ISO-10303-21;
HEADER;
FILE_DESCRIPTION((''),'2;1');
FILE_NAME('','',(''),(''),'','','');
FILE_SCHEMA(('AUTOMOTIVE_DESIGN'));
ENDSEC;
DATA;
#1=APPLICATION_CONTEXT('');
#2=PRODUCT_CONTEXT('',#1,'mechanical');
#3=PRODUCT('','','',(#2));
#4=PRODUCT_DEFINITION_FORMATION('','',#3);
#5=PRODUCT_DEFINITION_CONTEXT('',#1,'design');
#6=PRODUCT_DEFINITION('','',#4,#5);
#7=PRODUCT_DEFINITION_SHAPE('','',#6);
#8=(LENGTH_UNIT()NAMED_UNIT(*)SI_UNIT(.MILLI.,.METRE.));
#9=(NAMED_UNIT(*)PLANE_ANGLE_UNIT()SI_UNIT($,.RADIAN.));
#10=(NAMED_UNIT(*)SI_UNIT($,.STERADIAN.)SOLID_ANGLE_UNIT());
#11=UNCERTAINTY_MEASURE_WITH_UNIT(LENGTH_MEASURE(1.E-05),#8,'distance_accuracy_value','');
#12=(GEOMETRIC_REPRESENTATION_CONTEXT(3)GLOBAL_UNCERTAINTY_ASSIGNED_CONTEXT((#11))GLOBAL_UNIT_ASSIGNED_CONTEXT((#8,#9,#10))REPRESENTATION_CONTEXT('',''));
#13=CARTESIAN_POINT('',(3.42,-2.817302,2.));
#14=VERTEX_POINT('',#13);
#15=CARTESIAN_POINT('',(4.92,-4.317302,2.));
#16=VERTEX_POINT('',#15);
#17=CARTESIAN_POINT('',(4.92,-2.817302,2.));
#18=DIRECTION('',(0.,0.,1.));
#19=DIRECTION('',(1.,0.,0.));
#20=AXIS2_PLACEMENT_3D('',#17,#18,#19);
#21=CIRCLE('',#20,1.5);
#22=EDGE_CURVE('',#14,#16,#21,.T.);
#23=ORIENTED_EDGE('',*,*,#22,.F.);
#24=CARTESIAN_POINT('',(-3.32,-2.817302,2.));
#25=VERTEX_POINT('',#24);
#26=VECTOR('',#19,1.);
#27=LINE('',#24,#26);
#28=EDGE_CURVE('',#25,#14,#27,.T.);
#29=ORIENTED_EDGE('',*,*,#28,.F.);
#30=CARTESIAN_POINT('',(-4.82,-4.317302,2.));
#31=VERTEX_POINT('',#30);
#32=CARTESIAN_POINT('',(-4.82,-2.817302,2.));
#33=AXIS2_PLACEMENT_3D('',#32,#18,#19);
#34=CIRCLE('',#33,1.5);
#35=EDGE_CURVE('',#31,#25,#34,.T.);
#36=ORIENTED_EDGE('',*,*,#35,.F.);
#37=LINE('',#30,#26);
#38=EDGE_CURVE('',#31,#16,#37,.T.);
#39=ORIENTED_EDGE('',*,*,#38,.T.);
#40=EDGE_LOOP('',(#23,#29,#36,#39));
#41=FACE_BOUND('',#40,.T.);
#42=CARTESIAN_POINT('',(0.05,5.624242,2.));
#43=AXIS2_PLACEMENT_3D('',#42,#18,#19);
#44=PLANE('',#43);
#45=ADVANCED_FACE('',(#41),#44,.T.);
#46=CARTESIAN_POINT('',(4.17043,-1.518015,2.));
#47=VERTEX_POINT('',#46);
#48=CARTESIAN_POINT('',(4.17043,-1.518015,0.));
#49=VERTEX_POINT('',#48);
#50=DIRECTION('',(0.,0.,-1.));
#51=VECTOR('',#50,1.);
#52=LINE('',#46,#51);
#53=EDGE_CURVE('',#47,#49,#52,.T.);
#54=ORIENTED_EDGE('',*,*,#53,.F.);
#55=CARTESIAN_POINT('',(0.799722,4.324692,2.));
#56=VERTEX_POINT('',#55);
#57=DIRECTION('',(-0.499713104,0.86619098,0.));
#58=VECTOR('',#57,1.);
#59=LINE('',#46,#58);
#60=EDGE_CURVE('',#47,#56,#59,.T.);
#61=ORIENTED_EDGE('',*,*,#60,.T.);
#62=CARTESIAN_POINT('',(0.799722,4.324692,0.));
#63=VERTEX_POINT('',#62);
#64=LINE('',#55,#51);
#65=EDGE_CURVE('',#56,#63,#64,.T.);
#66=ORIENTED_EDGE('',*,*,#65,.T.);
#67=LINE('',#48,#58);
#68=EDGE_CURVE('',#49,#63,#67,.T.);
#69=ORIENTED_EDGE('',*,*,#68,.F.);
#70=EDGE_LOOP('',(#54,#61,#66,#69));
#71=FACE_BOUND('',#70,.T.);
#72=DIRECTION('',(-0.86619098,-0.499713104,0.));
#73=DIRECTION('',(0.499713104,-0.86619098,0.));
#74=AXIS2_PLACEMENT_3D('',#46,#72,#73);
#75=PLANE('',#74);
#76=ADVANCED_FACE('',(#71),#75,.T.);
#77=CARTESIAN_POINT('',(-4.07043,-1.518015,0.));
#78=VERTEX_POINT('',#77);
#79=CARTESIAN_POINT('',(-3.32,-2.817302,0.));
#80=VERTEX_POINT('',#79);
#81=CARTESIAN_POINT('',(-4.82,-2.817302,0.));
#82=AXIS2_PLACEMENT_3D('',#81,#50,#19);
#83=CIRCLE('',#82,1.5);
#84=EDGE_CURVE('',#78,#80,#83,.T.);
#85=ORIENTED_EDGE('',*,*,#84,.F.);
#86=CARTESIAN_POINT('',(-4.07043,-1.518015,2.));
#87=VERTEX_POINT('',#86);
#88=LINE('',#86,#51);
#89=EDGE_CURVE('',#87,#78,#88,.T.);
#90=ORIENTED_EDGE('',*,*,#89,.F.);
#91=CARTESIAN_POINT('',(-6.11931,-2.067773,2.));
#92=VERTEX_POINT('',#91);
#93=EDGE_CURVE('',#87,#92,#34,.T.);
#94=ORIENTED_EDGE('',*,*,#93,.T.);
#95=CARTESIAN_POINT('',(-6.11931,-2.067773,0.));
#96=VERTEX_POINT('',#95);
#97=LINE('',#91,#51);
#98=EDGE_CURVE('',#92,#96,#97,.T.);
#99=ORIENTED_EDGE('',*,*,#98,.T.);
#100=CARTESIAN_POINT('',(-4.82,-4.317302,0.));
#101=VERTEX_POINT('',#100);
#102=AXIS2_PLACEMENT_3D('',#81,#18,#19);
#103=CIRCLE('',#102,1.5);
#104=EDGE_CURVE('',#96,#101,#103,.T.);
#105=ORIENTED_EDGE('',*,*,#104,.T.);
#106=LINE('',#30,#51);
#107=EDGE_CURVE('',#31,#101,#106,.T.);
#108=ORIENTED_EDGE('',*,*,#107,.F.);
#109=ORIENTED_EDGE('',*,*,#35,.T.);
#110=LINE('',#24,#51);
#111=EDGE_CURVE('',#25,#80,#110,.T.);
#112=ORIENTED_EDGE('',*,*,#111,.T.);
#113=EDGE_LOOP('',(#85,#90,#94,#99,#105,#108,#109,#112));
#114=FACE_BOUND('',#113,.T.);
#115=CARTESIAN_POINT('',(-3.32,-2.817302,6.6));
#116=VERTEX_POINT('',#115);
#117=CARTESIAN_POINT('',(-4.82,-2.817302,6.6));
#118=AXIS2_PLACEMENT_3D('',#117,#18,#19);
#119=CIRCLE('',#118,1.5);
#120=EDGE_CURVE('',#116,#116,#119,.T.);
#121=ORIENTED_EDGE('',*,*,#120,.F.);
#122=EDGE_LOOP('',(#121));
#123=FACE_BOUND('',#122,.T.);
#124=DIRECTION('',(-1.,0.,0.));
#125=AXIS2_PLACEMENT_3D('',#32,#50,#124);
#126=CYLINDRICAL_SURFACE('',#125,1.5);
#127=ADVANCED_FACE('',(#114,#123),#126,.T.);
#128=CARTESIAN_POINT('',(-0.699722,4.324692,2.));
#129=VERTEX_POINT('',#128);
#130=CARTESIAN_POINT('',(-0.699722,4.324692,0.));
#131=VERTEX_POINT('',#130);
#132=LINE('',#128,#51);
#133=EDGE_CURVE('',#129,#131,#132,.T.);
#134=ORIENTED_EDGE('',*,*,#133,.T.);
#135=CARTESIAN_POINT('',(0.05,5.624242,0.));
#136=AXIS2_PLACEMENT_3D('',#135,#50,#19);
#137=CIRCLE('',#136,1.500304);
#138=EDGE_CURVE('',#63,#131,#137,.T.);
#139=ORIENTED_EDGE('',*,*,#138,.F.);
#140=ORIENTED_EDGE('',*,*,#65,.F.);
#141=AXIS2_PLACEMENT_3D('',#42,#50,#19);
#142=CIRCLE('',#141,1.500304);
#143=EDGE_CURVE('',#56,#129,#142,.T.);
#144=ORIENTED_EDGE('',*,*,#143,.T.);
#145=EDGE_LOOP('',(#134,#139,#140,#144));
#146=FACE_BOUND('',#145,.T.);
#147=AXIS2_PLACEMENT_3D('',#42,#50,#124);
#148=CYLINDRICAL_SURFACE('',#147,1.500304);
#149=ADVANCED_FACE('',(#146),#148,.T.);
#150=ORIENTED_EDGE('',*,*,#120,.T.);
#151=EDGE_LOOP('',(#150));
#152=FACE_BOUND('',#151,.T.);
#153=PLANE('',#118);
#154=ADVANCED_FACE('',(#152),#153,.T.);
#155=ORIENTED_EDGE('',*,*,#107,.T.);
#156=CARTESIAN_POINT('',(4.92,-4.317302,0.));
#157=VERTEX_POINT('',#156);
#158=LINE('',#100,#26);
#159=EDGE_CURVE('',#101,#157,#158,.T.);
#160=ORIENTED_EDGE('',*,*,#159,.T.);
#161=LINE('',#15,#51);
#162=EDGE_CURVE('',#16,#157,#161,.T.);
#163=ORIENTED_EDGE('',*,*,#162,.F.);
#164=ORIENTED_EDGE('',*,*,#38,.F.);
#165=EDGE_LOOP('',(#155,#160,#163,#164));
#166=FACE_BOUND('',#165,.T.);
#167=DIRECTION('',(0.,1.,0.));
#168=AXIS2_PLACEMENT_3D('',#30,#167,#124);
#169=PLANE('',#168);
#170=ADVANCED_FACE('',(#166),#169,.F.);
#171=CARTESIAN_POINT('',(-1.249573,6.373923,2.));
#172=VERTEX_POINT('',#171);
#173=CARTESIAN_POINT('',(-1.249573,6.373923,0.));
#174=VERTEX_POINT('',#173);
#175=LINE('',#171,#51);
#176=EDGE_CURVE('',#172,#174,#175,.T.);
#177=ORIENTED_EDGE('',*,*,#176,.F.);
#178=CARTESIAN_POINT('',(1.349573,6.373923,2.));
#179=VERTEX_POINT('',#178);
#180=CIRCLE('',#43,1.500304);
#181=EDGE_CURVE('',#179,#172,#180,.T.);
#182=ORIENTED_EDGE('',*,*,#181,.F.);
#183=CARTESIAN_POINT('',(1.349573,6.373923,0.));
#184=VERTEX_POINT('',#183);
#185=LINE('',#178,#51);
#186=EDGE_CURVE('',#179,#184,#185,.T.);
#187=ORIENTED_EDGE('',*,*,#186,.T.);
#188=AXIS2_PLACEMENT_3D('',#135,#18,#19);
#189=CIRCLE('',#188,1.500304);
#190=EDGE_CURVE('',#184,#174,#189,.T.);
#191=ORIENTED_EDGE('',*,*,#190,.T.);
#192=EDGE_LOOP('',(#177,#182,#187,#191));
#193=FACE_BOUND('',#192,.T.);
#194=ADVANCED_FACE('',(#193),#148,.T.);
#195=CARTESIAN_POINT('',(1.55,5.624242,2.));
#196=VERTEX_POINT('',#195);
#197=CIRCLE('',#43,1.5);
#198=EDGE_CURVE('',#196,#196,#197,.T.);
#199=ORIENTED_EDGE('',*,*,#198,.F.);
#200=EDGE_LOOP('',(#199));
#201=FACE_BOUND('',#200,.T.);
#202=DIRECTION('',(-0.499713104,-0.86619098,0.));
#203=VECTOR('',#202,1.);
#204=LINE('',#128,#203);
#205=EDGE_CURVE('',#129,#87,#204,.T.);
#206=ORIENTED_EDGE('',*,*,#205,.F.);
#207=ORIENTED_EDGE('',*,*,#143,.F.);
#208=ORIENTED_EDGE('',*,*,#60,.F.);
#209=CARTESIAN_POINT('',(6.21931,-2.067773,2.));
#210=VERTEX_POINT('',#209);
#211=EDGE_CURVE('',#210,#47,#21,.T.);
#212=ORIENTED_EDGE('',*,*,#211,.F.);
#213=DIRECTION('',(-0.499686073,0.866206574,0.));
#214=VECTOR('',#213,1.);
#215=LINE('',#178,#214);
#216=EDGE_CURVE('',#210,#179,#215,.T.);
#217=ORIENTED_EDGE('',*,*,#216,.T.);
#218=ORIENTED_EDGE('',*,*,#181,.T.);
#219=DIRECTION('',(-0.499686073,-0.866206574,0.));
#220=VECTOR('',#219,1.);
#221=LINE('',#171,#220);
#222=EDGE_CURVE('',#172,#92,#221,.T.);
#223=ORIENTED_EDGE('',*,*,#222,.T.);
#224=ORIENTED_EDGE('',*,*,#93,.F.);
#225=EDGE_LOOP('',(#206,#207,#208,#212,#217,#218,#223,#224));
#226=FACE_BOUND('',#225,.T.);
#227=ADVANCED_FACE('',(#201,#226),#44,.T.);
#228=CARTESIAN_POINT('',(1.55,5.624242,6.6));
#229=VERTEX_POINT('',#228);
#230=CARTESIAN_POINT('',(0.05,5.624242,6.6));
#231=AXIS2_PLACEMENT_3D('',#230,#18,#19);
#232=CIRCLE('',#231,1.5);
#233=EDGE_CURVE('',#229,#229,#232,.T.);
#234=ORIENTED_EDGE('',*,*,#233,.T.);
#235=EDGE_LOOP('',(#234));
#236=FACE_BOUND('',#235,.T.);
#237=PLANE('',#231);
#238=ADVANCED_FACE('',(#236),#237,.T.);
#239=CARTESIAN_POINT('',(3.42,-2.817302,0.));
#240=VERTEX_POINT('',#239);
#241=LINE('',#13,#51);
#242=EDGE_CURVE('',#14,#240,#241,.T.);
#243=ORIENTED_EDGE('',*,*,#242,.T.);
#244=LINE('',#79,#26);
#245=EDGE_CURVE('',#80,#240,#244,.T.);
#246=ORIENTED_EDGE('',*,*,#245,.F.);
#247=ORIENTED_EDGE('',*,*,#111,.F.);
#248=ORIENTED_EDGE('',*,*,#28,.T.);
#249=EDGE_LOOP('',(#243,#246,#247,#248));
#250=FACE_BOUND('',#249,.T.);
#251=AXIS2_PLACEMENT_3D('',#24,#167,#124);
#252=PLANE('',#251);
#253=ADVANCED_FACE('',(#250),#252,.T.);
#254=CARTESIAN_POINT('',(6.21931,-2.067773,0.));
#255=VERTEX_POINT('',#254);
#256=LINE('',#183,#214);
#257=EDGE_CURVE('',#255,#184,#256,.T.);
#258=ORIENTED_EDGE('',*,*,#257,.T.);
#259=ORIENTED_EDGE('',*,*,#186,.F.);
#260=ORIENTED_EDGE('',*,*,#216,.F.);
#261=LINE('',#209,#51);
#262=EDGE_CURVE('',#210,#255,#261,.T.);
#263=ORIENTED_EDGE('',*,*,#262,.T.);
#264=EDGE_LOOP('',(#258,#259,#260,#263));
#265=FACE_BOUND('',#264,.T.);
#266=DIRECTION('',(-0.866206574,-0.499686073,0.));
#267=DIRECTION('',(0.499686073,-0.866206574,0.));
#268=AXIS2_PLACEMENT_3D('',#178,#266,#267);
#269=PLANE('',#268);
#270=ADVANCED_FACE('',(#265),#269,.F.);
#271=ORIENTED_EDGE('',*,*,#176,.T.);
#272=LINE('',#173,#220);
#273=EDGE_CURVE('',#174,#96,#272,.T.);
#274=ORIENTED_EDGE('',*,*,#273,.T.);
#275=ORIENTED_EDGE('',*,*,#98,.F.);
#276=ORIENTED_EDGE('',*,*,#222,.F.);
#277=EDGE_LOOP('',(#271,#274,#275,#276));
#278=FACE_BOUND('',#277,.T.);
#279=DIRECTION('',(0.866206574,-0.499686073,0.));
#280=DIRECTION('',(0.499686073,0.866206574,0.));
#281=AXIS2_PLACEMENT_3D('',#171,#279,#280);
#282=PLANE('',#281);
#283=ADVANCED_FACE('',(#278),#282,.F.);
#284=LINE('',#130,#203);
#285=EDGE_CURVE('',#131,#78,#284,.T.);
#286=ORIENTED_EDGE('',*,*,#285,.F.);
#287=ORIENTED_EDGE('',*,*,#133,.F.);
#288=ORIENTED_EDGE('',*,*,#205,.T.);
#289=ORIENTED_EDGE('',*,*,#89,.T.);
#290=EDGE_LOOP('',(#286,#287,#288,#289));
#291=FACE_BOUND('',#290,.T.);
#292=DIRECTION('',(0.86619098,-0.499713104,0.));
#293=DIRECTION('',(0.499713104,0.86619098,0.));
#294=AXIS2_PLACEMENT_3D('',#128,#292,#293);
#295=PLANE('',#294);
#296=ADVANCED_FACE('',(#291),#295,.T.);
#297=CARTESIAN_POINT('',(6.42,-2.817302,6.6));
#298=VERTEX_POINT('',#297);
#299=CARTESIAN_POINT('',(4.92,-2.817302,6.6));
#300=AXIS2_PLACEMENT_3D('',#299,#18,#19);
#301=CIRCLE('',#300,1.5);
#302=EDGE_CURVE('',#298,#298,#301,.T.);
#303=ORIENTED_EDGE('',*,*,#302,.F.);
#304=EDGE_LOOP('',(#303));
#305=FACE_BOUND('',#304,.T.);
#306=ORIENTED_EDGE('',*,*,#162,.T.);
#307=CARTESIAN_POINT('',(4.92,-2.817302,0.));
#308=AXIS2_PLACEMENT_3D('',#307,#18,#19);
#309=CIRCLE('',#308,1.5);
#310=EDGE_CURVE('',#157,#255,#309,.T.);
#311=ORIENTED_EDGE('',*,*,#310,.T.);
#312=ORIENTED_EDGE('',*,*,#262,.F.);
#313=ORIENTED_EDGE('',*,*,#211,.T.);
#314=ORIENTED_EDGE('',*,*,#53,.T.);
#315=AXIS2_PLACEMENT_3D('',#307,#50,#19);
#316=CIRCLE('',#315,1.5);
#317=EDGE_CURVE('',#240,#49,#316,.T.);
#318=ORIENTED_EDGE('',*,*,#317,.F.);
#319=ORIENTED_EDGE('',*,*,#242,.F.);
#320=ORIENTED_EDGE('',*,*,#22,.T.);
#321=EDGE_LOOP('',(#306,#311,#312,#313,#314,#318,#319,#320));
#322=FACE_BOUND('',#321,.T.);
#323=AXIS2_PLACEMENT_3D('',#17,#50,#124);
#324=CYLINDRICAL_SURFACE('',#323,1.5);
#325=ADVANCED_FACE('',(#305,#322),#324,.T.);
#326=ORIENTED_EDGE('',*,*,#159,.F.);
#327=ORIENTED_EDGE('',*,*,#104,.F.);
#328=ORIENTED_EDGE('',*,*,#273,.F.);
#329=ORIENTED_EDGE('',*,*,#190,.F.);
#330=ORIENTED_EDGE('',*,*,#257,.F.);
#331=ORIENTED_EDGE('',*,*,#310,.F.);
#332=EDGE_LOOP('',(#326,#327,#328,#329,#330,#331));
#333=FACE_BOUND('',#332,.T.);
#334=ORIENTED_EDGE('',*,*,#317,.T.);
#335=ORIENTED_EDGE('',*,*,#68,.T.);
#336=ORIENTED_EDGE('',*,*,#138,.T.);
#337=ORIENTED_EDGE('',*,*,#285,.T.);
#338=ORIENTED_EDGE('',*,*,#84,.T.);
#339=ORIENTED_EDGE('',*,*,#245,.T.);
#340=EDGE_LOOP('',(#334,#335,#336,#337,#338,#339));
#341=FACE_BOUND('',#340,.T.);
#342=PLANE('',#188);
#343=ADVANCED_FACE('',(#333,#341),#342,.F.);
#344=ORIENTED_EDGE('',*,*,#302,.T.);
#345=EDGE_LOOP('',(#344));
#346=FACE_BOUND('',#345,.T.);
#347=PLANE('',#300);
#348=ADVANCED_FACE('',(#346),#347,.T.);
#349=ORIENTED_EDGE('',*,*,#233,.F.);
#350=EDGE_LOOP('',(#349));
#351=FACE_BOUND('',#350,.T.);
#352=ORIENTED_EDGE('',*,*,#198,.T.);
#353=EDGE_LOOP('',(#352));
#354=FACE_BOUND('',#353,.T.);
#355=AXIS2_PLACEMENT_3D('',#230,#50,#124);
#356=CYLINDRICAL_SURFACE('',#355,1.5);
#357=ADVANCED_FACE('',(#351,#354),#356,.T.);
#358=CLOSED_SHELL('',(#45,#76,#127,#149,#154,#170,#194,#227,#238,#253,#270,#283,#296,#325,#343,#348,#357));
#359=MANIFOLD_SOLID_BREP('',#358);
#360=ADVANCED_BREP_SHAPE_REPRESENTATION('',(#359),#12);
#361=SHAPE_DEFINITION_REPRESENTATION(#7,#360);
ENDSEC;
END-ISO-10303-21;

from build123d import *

# Parameters (mm, degrees)
SALIENTE_EXTRUIR1_DEPTH = 2
CROQUIS2_R              = 1.5
SALIENTE_EXTRUIR4_DEPTH = 4.6


with BuildPart() as part:
    # Croquis1 → Saliente-Extruir1 (new body)
    with BuildSketch(Plane.XY):
        with BuildLine():
            Line((-1.249573298, 6.373923256), (-6.119309861, -2.067772542))
            ThreePointArc((-6.119309861, -2.067772542), (-6.118902164, -3.56753706), (-4.82, -4.317301652))
            Line((-4.82, -4.317301652), (4.92, -4.317301652))
            ThreePointArc((4.92, -4.317301652), (6.218902164, -3.56753706), (6.219309861, -2.067772542))
            Line((6.219309861, -2.067772542), (1.349573298, 6.373923256))
            ThreePointArc((1.349573298, 6.373923256), (0.05, 7.124546306), (-1.249573298, 6.373923256))
        make_face()
        with BuildLine():
            Line((-0.699721633, 4.324692275), (-4.070430344, -1.518015182))
            ThreePointArc((-4.070430344, -1.518015182), (-3.52108613, -2.067086511), (-3.32, -2.817301652))
            Line((-3.32, -2.817301652), (3.42, -2.817301652))
            ThreePointArc((3.42, -2.817301652), (3.62108613, -2.067086511), (4.170430344, -1.518015182))
            Line((4.170430344, -1.518015182), (0.799721633, 4.324692275))
            ThreePointArc((0.799721633, 4.324692275), (0.05, 4.12393805), (-0.699721633, 4.324692275))
        make_face(mode=Mode.SUBTRACT)
    extrude(amount=SALIENTE_EXTRUIR1_DEPTH)

    # Croquis2 → Saliente-Extruir4 (add)
    with BuildSketch(Plane.XY.offset(2)):
        with Locations((0.05, 5.624242178)):
            Circle(CROQUIS2_R)
        with Locations(Location((4.92, -2.817301652, 0), (0, 0, 180))):
            Circle(CROQUIS2_R)
        with Locations((-4.82, -2.817301652)):
            Circle(CROQUIS2_R)
    extrude(amount=SALIENTE_EXTRUIR4_DEPTH)


solid = part.part
